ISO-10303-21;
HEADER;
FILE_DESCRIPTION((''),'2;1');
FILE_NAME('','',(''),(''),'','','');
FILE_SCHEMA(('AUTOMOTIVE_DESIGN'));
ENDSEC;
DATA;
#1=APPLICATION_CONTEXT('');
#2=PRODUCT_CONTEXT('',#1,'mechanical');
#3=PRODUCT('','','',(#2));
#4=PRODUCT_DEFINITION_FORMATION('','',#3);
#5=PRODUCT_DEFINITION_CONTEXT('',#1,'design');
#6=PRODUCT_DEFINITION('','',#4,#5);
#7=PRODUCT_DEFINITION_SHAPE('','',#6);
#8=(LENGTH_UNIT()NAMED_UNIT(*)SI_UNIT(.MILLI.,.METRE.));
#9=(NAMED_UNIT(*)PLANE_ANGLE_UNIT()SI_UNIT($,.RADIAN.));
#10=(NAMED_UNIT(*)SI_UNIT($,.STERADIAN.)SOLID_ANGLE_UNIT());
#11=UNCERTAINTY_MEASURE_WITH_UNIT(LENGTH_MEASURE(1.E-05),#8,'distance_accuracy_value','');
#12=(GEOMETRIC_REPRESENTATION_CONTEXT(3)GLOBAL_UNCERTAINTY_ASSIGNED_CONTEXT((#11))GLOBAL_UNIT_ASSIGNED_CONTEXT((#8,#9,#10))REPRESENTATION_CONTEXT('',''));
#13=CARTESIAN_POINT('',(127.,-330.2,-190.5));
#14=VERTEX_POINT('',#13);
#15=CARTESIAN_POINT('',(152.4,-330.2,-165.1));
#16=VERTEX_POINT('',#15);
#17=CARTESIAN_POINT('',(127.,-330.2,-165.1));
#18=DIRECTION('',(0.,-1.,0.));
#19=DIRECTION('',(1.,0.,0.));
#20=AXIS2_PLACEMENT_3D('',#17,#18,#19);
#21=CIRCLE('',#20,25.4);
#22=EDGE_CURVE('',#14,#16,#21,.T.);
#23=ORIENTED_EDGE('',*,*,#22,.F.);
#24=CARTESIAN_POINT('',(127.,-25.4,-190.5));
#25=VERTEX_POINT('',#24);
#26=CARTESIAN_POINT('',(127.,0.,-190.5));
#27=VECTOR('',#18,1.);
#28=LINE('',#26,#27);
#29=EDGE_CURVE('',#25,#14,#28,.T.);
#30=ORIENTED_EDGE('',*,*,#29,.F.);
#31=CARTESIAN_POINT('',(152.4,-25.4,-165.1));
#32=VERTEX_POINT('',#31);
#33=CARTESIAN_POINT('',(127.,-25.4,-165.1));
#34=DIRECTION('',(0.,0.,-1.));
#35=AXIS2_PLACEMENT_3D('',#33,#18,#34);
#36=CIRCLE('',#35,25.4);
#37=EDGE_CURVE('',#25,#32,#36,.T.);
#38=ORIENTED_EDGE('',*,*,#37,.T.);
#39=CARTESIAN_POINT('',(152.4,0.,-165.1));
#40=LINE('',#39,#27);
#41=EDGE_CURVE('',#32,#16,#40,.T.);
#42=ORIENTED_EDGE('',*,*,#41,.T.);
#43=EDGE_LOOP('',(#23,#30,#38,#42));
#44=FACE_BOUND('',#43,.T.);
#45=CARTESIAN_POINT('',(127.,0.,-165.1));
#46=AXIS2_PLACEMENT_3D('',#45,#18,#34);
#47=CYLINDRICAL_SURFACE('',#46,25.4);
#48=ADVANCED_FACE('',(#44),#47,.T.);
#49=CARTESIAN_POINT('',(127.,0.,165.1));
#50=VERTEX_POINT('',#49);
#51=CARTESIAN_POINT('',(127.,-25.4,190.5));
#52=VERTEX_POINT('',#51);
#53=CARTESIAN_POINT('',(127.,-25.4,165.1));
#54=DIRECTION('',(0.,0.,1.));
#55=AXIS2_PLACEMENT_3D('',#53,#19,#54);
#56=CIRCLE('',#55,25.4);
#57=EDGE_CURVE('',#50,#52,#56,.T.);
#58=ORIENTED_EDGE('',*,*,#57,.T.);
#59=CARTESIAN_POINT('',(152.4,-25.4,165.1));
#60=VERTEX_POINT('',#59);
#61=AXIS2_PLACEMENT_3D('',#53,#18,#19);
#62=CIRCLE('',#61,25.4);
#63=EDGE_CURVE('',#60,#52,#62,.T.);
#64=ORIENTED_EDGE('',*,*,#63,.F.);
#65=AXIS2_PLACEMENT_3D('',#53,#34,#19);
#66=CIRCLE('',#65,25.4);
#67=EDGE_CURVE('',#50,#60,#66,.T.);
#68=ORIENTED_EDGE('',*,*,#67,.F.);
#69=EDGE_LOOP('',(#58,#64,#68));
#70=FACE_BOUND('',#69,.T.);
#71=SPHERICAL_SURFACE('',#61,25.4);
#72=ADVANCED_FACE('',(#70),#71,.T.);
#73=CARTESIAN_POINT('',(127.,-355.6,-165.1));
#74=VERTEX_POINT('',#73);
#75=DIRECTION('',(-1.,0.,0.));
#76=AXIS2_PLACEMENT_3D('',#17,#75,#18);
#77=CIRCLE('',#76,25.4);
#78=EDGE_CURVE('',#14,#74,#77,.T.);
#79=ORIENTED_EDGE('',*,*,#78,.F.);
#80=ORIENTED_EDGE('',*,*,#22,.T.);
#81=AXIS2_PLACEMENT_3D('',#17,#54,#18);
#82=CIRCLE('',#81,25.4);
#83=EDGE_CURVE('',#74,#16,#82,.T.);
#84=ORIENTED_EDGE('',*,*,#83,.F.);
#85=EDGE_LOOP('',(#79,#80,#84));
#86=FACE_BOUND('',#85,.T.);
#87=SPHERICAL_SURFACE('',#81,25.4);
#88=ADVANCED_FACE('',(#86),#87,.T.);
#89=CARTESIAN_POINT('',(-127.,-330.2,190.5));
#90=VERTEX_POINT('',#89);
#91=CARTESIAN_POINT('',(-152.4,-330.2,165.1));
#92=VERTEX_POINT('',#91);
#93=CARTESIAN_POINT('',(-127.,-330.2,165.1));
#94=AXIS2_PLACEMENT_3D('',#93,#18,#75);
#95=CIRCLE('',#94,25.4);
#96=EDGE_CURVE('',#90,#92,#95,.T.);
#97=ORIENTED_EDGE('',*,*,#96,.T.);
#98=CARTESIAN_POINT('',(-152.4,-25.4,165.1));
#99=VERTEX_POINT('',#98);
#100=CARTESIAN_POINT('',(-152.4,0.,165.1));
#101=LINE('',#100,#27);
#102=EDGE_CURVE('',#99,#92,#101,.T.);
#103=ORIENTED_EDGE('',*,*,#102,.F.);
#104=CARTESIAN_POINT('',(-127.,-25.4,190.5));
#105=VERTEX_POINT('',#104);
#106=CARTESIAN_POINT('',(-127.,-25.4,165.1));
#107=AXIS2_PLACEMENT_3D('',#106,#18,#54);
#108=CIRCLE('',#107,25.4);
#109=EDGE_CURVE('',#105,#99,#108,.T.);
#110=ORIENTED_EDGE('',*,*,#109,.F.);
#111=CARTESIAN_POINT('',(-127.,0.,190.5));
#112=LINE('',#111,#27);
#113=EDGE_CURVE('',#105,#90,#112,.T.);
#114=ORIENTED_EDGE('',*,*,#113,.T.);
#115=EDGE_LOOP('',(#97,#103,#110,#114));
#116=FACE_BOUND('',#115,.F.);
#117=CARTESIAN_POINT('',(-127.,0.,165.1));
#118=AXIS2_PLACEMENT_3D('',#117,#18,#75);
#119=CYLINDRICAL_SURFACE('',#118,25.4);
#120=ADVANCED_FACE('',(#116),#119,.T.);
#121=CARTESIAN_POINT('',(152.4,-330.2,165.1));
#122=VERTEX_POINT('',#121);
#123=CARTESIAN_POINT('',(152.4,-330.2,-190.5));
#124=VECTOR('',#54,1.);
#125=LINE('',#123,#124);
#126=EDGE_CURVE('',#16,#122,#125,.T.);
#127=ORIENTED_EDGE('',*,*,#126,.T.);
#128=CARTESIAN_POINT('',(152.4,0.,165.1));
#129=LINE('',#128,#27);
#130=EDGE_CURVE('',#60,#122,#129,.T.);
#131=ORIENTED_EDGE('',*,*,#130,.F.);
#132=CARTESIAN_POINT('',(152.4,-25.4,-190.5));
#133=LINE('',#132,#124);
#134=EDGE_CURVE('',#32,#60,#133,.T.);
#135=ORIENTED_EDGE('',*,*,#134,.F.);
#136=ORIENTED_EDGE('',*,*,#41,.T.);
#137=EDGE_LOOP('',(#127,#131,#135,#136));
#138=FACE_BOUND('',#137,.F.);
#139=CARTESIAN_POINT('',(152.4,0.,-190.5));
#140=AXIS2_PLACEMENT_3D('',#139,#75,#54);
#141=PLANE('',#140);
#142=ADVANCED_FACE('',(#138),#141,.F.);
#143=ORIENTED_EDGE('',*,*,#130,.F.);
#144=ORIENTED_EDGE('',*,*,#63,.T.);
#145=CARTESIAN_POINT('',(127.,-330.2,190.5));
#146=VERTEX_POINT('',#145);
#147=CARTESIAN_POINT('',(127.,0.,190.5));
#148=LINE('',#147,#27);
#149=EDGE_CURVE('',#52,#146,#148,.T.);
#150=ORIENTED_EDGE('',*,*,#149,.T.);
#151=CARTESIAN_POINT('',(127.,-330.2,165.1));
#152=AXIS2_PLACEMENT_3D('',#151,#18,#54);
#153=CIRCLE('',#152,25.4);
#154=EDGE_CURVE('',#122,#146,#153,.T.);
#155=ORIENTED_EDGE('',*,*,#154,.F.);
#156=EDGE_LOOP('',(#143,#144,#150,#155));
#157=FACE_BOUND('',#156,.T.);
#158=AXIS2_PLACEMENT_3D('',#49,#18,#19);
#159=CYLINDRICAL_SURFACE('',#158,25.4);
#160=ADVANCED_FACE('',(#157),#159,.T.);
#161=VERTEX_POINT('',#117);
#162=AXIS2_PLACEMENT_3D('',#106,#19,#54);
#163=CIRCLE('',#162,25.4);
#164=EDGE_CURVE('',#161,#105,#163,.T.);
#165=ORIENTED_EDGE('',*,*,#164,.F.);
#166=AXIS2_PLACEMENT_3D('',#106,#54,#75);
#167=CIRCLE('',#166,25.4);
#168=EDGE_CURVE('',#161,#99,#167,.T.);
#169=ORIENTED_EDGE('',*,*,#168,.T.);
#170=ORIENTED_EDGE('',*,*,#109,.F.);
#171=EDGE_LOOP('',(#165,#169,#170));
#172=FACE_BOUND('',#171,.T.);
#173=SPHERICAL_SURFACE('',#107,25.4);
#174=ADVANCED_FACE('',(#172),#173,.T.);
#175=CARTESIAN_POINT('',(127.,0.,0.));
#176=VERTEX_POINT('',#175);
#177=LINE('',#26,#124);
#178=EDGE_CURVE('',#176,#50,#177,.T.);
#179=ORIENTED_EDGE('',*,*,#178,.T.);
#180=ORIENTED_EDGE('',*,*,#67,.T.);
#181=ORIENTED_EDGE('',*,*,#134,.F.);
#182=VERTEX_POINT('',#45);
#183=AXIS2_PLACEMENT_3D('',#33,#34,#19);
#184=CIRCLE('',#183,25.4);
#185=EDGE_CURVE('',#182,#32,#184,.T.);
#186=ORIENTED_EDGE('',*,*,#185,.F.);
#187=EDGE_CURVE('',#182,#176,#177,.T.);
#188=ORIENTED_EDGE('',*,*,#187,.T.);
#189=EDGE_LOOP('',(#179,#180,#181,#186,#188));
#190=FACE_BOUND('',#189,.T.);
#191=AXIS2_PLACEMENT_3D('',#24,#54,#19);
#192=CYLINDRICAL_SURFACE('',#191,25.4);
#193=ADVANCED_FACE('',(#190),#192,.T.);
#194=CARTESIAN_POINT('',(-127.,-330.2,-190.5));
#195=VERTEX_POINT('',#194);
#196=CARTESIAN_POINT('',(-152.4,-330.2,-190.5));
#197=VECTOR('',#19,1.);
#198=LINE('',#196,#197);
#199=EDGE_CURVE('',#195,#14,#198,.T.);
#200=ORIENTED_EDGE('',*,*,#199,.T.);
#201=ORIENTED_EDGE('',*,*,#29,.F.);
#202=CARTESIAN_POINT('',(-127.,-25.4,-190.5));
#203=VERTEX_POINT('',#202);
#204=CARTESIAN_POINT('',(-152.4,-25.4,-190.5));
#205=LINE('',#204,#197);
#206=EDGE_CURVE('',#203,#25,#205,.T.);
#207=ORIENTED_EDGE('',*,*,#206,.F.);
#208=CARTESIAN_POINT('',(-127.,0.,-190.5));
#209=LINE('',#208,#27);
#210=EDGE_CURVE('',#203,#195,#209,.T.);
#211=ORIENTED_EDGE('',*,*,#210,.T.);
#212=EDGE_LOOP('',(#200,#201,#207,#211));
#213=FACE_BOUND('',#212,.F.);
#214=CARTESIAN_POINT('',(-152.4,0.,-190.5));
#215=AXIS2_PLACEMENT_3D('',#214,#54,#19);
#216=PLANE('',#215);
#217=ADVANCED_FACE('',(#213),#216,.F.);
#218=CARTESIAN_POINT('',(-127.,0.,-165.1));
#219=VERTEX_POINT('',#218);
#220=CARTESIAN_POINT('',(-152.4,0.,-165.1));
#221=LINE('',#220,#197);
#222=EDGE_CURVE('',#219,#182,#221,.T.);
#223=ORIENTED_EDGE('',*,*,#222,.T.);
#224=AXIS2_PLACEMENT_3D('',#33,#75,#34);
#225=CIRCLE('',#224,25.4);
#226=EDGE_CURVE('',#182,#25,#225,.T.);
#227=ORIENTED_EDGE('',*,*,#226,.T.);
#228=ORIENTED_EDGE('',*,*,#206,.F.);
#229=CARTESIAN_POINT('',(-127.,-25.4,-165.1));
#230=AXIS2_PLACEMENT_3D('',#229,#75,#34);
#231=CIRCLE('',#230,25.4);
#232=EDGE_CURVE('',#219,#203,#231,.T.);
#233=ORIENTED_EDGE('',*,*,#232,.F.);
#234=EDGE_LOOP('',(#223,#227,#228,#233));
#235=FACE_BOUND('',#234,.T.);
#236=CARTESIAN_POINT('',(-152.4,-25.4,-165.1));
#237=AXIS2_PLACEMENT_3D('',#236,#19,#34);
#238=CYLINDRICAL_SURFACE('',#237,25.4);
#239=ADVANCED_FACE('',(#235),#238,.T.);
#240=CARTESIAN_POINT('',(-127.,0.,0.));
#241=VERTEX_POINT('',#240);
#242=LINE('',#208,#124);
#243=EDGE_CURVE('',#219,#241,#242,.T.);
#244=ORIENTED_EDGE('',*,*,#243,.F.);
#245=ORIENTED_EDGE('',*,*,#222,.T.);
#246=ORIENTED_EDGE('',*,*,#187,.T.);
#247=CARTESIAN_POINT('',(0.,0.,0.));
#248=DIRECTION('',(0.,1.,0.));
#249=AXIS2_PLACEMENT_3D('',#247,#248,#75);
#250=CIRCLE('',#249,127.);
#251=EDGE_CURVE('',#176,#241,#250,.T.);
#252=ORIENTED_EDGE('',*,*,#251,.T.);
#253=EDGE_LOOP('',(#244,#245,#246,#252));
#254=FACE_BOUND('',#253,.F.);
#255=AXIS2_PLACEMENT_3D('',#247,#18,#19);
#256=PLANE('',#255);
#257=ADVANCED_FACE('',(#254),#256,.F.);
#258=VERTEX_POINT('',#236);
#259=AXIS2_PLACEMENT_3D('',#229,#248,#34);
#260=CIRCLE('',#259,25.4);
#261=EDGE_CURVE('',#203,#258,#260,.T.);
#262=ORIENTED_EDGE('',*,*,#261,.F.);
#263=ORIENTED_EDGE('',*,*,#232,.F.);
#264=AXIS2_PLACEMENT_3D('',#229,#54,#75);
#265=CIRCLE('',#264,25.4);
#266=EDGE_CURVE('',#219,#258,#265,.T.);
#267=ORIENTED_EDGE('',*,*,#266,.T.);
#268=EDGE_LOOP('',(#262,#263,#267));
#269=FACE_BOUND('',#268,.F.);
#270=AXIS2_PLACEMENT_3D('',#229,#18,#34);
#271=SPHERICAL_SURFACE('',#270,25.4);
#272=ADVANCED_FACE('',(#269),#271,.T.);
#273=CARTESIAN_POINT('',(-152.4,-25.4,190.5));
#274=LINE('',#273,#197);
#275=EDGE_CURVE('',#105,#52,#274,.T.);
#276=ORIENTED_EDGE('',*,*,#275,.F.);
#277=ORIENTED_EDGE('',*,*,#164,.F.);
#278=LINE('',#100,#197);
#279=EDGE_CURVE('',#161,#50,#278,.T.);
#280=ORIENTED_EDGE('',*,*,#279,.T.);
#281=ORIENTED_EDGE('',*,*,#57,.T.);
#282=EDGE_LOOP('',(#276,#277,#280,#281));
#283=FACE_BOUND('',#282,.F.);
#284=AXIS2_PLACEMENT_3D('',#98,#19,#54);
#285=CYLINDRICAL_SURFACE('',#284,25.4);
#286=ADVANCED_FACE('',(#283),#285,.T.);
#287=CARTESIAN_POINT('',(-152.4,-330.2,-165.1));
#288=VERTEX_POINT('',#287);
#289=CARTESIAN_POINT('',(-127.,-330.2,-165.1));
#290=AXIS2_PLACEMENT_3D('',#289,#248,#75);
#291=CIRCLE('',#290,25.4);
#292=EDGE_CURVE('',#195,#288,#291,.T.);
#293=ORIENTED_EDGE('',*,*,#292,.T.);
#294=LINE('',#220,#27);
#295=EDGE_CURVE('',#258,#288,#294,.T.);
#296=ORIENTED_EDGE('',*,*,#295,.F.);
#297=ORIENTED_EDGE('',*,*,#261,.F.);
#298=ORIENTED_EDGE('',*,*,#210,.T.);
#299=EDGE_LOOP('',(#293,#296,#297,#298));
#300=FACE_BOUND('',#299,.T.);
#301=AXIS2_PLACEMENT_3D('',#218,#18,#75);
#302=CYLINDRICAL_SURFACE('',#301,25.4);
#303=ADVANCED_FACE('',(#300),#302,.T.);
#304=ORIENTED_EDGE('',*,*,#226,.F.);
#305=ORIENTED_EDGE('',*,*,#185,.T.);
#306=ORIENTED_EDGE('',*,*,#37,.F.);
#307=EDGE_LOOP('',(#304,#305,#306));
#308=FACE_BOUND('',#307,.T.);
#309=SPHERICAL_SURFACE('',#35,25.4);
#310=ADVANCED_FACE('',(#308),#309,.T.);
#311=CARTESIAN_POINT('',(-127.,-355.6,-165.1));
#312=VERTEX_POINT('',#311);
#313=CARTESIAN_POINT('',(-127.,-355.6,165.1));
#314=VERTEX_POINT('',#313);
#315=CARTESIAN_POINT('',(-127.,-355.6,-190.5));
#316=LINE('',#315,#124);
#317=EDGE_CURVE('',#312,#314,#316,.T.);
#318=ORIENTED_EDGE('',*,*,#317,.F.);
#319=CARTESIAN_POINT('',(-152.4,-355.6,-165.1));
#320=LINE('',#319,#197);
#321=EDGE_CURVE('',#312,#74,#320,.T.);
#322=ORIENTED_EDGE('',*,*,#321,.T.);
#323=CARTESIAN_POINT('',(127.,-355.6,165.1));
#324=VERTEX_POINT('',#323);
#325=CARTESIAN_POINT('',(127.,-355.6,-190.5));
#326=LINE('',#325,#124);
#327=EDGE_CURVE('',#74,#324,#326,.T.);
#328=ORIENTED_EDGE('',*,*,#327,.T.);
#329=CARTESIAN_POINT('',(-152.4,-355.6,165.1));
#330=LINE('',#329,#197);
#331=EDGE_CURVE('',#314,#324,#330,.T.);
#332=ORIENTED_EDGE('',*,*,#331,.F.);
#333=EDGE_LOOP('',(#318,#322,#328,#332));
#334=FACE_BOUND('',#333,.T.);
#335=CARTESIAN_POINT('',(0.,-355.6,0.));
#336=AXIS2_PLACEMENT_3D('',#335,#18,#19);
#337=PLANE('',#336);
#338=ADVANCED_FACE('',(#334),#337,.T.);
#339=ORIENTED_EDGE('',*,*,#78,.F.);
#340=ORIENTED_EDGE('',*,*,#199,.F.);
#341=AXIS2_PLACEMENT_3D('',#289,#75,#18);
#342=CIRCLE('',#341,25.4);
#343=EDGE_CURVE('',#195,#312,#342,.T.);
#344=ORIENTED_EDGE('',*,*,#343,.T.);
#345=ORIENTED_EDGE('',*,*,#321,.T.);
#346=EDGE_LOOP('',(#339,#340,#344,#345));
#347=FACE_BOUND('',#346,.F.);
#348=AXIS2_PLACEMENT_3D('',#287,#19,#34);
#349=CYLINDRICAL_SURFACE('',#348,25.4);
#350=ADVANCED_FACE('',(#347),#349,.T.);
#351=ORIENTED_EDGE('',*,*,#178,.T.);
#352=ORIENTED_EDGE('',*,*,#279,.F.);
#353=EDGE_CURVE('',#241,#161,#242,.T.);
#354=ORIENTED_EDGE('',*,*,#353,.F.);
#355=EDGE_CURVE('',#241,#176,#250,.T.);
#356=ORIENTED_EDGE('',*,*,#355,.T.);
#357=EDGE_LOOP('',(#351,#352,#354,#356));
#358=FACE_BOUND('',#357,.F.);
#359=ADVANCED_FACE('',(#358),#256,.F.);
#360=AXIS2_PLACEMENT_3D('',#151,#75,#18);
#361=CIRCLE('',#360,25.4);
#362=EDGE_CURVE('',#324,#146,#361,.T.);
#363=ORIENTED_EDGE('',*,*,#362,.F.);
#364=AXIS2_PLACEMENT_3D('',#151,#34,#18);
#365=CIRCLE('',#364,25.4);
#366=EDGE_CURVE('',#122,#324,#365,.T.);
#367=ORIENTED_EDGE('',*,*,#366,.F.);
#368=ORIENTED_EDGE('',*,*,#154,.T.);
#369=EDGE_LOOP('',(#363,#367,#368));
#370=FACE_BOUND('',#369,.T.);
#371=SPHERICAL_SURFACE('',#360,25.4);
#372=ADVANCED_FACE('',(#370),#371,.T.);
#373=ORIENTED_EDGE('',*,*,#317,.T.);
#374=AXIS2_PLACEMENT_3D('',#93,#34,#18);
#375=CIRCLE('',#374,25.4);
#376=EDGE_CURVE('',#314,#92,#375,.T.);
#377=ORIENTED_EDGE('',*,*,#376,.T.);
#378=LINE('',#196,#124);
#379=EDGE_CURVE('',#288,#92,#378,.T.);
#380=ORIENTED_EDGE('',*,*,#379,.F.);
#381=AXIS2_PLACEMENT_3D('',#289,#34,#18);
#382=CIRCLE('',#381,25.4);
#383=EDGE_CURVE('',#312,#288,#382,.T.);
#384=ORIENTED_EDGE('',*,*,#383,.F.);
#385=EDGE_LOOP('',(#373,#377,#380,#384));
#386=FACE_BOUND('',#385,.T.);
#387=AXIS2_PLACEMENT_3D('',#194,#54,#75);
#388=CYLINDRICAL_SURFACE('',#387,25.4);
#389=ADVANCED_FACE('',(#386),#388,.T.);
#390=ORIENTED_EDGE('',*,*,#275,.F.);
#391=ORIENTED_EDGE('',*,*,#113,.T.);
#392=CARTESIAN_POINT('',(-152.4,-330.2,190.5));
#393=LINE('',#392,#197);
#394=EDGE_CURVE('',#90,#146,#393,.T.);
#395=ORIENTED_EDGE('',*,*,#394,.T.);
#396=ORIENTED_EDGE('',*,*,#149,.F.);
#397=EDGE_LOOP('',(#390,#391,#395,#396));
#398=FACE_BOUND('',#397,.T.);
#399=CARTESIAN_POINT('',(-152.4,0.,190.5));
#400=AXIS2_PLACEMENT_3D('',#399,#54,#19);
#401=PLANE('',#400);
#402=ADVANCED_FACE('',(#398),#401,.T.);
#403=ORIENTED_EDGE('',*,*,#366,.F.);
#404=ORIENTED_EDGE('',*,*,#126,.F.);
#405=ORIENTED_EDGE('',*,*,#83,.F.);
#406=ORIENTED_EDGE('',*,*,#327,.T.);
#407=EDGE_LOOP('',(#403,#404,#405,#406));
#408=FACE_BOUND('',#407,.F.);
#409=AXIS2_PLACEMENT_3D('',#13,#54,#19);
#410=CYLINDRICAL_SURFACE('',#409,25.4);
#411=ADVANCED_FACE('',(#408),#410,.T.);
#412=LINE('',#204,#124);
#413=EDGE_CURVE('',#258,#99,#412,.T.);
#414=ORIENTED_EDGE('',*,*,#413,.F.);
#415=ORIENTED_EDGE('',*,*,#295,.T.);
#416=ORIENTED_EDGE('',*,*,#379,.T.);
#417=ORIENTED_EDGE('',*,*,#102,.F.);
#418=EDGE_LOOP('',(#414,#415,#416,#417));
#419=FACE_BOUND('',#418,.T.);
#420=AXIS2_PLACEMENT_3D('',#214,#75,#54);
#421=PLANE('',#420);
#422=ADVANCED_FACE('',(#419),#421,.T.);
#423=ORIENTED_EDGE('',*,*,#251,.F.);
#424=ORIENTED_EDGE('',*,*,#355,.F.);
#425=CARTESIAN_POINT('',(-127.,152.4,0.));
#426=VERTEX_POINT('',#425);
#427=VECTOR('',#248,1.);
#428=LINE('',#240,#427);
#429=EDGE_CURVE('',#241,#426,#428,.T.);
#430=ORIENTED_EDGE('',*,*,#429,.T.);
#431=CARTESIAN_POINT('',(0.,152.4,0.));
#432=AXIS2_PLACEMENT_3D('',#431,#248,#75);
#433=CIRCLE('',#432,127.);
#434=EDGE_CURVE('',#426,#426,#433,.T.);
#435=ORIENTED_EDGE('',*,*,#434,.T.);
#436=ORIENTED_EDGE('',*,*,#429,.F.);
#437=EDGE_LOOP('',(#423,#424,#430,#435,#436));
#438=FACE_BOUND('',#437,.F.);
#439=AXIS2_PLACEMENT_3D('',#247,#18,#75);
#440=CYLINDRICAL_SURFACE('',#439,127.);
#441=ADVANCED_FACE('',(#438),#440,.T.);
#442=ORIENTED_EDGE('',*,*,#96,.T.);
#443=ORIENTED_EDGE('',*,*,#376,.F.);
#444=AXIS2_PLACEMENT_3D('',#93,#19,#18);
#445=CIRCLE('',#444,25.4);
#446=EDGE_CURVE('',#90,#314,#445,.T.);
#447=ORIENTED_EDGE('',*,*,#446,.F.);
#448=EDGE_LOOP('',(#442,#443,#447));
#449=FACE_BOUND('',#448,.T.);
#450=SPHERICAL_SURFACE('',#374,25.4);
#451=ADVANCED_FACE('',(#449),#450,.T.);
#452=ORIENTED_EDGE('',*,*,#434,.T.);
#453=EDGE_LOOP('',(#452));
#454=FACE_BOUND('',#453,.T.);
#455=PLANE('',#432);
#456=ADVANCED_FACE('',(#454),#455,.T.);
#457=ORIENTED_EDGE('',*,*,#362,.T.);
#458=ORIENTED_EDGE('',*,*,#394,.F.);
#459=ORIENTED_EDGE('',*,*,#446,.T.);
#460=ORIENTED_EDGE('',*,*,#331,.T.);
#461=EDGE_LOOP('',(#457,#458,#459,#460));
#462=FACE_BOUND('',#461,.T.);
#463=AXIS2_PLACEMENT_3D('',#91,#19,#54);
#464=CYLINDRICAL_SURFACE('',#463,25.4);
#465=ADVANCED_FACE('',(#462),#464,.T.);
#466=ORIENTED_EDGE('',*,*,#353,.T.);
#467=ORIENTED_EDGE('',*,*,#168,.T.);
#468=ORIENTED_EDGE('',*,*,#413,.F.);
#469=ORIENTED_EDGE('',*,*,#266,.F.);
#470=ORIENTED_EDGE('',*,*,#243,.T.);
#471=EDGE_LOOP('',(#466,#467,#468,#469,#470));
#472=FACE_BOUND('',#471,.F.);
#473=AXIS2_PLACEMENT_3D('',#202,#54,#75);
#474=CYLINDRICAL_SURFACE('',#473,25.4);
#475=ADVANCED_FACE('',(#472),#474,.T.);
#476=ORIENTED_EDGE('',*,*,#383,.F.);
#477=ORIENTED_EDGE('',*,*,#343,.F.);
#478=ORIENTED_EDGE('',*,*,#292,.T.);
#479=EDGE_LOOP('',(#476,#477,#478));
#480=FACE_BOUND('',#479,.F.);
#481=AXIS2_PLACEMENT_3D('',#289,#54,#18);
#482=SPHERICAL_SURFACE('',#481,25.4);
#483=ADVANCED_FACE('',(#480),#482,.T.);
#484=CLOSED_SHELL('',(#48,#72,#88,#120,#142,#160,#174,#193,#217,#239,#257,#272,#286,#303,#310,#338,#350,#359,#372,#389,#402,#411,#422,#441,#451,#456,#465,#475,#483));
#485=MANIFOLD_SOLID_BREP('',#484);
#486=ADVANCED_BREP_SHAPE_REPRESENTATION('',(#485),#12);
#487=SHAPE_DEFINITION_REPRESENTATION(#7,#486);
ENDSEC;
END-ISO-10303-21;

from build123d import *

# Parameters (mm, degrees)
F0_W     = 304.8
F0_H     = 381
F1_DEPTH = 355.6
F2_R     = 25.4
F3_R     = 127
F4_DEPTH = 152.4


with BuildPart() as f1:
    # F0 (on Front) → F1 (new body)
    with BuildSketch(Plane.XZ):
        Rectangle(F0_W, F0_H)
    extrude(amount=F1_DEPTH)

    # F2
    f2_edges = [f1.edges().sort_by_distance(p)[0] for p in [
        (-152.4, -355.6, 0),
        (0, -355.6, 190.5),
        (152.4, -355.6, 0),
        (0, -355.6, -190.5),
        (-152.4, -177.8, -190.5),
        (-152.4, -177.8, 190.5),
        (152.4, -177.8, 190.5),
        (152.4, -177.8, -190.5),
        (0, 0, -190.5),
        (152.4, 0, 0),
        (0, 0, 190.5),
        (-152.4, 0, 0),
    ]]
    fillet(f2_edges, radius=F2_R)

    # F3 (on face) → F4 (join)
    with BuildSketch(Plane(origin=(0, 0, 0), x_dir=(-1, 0, 0), z_dir=(0, 1, 0))):
        Circle(F3_R)
    extrude(amount=F4_DEPTH)


solid = f1.part
